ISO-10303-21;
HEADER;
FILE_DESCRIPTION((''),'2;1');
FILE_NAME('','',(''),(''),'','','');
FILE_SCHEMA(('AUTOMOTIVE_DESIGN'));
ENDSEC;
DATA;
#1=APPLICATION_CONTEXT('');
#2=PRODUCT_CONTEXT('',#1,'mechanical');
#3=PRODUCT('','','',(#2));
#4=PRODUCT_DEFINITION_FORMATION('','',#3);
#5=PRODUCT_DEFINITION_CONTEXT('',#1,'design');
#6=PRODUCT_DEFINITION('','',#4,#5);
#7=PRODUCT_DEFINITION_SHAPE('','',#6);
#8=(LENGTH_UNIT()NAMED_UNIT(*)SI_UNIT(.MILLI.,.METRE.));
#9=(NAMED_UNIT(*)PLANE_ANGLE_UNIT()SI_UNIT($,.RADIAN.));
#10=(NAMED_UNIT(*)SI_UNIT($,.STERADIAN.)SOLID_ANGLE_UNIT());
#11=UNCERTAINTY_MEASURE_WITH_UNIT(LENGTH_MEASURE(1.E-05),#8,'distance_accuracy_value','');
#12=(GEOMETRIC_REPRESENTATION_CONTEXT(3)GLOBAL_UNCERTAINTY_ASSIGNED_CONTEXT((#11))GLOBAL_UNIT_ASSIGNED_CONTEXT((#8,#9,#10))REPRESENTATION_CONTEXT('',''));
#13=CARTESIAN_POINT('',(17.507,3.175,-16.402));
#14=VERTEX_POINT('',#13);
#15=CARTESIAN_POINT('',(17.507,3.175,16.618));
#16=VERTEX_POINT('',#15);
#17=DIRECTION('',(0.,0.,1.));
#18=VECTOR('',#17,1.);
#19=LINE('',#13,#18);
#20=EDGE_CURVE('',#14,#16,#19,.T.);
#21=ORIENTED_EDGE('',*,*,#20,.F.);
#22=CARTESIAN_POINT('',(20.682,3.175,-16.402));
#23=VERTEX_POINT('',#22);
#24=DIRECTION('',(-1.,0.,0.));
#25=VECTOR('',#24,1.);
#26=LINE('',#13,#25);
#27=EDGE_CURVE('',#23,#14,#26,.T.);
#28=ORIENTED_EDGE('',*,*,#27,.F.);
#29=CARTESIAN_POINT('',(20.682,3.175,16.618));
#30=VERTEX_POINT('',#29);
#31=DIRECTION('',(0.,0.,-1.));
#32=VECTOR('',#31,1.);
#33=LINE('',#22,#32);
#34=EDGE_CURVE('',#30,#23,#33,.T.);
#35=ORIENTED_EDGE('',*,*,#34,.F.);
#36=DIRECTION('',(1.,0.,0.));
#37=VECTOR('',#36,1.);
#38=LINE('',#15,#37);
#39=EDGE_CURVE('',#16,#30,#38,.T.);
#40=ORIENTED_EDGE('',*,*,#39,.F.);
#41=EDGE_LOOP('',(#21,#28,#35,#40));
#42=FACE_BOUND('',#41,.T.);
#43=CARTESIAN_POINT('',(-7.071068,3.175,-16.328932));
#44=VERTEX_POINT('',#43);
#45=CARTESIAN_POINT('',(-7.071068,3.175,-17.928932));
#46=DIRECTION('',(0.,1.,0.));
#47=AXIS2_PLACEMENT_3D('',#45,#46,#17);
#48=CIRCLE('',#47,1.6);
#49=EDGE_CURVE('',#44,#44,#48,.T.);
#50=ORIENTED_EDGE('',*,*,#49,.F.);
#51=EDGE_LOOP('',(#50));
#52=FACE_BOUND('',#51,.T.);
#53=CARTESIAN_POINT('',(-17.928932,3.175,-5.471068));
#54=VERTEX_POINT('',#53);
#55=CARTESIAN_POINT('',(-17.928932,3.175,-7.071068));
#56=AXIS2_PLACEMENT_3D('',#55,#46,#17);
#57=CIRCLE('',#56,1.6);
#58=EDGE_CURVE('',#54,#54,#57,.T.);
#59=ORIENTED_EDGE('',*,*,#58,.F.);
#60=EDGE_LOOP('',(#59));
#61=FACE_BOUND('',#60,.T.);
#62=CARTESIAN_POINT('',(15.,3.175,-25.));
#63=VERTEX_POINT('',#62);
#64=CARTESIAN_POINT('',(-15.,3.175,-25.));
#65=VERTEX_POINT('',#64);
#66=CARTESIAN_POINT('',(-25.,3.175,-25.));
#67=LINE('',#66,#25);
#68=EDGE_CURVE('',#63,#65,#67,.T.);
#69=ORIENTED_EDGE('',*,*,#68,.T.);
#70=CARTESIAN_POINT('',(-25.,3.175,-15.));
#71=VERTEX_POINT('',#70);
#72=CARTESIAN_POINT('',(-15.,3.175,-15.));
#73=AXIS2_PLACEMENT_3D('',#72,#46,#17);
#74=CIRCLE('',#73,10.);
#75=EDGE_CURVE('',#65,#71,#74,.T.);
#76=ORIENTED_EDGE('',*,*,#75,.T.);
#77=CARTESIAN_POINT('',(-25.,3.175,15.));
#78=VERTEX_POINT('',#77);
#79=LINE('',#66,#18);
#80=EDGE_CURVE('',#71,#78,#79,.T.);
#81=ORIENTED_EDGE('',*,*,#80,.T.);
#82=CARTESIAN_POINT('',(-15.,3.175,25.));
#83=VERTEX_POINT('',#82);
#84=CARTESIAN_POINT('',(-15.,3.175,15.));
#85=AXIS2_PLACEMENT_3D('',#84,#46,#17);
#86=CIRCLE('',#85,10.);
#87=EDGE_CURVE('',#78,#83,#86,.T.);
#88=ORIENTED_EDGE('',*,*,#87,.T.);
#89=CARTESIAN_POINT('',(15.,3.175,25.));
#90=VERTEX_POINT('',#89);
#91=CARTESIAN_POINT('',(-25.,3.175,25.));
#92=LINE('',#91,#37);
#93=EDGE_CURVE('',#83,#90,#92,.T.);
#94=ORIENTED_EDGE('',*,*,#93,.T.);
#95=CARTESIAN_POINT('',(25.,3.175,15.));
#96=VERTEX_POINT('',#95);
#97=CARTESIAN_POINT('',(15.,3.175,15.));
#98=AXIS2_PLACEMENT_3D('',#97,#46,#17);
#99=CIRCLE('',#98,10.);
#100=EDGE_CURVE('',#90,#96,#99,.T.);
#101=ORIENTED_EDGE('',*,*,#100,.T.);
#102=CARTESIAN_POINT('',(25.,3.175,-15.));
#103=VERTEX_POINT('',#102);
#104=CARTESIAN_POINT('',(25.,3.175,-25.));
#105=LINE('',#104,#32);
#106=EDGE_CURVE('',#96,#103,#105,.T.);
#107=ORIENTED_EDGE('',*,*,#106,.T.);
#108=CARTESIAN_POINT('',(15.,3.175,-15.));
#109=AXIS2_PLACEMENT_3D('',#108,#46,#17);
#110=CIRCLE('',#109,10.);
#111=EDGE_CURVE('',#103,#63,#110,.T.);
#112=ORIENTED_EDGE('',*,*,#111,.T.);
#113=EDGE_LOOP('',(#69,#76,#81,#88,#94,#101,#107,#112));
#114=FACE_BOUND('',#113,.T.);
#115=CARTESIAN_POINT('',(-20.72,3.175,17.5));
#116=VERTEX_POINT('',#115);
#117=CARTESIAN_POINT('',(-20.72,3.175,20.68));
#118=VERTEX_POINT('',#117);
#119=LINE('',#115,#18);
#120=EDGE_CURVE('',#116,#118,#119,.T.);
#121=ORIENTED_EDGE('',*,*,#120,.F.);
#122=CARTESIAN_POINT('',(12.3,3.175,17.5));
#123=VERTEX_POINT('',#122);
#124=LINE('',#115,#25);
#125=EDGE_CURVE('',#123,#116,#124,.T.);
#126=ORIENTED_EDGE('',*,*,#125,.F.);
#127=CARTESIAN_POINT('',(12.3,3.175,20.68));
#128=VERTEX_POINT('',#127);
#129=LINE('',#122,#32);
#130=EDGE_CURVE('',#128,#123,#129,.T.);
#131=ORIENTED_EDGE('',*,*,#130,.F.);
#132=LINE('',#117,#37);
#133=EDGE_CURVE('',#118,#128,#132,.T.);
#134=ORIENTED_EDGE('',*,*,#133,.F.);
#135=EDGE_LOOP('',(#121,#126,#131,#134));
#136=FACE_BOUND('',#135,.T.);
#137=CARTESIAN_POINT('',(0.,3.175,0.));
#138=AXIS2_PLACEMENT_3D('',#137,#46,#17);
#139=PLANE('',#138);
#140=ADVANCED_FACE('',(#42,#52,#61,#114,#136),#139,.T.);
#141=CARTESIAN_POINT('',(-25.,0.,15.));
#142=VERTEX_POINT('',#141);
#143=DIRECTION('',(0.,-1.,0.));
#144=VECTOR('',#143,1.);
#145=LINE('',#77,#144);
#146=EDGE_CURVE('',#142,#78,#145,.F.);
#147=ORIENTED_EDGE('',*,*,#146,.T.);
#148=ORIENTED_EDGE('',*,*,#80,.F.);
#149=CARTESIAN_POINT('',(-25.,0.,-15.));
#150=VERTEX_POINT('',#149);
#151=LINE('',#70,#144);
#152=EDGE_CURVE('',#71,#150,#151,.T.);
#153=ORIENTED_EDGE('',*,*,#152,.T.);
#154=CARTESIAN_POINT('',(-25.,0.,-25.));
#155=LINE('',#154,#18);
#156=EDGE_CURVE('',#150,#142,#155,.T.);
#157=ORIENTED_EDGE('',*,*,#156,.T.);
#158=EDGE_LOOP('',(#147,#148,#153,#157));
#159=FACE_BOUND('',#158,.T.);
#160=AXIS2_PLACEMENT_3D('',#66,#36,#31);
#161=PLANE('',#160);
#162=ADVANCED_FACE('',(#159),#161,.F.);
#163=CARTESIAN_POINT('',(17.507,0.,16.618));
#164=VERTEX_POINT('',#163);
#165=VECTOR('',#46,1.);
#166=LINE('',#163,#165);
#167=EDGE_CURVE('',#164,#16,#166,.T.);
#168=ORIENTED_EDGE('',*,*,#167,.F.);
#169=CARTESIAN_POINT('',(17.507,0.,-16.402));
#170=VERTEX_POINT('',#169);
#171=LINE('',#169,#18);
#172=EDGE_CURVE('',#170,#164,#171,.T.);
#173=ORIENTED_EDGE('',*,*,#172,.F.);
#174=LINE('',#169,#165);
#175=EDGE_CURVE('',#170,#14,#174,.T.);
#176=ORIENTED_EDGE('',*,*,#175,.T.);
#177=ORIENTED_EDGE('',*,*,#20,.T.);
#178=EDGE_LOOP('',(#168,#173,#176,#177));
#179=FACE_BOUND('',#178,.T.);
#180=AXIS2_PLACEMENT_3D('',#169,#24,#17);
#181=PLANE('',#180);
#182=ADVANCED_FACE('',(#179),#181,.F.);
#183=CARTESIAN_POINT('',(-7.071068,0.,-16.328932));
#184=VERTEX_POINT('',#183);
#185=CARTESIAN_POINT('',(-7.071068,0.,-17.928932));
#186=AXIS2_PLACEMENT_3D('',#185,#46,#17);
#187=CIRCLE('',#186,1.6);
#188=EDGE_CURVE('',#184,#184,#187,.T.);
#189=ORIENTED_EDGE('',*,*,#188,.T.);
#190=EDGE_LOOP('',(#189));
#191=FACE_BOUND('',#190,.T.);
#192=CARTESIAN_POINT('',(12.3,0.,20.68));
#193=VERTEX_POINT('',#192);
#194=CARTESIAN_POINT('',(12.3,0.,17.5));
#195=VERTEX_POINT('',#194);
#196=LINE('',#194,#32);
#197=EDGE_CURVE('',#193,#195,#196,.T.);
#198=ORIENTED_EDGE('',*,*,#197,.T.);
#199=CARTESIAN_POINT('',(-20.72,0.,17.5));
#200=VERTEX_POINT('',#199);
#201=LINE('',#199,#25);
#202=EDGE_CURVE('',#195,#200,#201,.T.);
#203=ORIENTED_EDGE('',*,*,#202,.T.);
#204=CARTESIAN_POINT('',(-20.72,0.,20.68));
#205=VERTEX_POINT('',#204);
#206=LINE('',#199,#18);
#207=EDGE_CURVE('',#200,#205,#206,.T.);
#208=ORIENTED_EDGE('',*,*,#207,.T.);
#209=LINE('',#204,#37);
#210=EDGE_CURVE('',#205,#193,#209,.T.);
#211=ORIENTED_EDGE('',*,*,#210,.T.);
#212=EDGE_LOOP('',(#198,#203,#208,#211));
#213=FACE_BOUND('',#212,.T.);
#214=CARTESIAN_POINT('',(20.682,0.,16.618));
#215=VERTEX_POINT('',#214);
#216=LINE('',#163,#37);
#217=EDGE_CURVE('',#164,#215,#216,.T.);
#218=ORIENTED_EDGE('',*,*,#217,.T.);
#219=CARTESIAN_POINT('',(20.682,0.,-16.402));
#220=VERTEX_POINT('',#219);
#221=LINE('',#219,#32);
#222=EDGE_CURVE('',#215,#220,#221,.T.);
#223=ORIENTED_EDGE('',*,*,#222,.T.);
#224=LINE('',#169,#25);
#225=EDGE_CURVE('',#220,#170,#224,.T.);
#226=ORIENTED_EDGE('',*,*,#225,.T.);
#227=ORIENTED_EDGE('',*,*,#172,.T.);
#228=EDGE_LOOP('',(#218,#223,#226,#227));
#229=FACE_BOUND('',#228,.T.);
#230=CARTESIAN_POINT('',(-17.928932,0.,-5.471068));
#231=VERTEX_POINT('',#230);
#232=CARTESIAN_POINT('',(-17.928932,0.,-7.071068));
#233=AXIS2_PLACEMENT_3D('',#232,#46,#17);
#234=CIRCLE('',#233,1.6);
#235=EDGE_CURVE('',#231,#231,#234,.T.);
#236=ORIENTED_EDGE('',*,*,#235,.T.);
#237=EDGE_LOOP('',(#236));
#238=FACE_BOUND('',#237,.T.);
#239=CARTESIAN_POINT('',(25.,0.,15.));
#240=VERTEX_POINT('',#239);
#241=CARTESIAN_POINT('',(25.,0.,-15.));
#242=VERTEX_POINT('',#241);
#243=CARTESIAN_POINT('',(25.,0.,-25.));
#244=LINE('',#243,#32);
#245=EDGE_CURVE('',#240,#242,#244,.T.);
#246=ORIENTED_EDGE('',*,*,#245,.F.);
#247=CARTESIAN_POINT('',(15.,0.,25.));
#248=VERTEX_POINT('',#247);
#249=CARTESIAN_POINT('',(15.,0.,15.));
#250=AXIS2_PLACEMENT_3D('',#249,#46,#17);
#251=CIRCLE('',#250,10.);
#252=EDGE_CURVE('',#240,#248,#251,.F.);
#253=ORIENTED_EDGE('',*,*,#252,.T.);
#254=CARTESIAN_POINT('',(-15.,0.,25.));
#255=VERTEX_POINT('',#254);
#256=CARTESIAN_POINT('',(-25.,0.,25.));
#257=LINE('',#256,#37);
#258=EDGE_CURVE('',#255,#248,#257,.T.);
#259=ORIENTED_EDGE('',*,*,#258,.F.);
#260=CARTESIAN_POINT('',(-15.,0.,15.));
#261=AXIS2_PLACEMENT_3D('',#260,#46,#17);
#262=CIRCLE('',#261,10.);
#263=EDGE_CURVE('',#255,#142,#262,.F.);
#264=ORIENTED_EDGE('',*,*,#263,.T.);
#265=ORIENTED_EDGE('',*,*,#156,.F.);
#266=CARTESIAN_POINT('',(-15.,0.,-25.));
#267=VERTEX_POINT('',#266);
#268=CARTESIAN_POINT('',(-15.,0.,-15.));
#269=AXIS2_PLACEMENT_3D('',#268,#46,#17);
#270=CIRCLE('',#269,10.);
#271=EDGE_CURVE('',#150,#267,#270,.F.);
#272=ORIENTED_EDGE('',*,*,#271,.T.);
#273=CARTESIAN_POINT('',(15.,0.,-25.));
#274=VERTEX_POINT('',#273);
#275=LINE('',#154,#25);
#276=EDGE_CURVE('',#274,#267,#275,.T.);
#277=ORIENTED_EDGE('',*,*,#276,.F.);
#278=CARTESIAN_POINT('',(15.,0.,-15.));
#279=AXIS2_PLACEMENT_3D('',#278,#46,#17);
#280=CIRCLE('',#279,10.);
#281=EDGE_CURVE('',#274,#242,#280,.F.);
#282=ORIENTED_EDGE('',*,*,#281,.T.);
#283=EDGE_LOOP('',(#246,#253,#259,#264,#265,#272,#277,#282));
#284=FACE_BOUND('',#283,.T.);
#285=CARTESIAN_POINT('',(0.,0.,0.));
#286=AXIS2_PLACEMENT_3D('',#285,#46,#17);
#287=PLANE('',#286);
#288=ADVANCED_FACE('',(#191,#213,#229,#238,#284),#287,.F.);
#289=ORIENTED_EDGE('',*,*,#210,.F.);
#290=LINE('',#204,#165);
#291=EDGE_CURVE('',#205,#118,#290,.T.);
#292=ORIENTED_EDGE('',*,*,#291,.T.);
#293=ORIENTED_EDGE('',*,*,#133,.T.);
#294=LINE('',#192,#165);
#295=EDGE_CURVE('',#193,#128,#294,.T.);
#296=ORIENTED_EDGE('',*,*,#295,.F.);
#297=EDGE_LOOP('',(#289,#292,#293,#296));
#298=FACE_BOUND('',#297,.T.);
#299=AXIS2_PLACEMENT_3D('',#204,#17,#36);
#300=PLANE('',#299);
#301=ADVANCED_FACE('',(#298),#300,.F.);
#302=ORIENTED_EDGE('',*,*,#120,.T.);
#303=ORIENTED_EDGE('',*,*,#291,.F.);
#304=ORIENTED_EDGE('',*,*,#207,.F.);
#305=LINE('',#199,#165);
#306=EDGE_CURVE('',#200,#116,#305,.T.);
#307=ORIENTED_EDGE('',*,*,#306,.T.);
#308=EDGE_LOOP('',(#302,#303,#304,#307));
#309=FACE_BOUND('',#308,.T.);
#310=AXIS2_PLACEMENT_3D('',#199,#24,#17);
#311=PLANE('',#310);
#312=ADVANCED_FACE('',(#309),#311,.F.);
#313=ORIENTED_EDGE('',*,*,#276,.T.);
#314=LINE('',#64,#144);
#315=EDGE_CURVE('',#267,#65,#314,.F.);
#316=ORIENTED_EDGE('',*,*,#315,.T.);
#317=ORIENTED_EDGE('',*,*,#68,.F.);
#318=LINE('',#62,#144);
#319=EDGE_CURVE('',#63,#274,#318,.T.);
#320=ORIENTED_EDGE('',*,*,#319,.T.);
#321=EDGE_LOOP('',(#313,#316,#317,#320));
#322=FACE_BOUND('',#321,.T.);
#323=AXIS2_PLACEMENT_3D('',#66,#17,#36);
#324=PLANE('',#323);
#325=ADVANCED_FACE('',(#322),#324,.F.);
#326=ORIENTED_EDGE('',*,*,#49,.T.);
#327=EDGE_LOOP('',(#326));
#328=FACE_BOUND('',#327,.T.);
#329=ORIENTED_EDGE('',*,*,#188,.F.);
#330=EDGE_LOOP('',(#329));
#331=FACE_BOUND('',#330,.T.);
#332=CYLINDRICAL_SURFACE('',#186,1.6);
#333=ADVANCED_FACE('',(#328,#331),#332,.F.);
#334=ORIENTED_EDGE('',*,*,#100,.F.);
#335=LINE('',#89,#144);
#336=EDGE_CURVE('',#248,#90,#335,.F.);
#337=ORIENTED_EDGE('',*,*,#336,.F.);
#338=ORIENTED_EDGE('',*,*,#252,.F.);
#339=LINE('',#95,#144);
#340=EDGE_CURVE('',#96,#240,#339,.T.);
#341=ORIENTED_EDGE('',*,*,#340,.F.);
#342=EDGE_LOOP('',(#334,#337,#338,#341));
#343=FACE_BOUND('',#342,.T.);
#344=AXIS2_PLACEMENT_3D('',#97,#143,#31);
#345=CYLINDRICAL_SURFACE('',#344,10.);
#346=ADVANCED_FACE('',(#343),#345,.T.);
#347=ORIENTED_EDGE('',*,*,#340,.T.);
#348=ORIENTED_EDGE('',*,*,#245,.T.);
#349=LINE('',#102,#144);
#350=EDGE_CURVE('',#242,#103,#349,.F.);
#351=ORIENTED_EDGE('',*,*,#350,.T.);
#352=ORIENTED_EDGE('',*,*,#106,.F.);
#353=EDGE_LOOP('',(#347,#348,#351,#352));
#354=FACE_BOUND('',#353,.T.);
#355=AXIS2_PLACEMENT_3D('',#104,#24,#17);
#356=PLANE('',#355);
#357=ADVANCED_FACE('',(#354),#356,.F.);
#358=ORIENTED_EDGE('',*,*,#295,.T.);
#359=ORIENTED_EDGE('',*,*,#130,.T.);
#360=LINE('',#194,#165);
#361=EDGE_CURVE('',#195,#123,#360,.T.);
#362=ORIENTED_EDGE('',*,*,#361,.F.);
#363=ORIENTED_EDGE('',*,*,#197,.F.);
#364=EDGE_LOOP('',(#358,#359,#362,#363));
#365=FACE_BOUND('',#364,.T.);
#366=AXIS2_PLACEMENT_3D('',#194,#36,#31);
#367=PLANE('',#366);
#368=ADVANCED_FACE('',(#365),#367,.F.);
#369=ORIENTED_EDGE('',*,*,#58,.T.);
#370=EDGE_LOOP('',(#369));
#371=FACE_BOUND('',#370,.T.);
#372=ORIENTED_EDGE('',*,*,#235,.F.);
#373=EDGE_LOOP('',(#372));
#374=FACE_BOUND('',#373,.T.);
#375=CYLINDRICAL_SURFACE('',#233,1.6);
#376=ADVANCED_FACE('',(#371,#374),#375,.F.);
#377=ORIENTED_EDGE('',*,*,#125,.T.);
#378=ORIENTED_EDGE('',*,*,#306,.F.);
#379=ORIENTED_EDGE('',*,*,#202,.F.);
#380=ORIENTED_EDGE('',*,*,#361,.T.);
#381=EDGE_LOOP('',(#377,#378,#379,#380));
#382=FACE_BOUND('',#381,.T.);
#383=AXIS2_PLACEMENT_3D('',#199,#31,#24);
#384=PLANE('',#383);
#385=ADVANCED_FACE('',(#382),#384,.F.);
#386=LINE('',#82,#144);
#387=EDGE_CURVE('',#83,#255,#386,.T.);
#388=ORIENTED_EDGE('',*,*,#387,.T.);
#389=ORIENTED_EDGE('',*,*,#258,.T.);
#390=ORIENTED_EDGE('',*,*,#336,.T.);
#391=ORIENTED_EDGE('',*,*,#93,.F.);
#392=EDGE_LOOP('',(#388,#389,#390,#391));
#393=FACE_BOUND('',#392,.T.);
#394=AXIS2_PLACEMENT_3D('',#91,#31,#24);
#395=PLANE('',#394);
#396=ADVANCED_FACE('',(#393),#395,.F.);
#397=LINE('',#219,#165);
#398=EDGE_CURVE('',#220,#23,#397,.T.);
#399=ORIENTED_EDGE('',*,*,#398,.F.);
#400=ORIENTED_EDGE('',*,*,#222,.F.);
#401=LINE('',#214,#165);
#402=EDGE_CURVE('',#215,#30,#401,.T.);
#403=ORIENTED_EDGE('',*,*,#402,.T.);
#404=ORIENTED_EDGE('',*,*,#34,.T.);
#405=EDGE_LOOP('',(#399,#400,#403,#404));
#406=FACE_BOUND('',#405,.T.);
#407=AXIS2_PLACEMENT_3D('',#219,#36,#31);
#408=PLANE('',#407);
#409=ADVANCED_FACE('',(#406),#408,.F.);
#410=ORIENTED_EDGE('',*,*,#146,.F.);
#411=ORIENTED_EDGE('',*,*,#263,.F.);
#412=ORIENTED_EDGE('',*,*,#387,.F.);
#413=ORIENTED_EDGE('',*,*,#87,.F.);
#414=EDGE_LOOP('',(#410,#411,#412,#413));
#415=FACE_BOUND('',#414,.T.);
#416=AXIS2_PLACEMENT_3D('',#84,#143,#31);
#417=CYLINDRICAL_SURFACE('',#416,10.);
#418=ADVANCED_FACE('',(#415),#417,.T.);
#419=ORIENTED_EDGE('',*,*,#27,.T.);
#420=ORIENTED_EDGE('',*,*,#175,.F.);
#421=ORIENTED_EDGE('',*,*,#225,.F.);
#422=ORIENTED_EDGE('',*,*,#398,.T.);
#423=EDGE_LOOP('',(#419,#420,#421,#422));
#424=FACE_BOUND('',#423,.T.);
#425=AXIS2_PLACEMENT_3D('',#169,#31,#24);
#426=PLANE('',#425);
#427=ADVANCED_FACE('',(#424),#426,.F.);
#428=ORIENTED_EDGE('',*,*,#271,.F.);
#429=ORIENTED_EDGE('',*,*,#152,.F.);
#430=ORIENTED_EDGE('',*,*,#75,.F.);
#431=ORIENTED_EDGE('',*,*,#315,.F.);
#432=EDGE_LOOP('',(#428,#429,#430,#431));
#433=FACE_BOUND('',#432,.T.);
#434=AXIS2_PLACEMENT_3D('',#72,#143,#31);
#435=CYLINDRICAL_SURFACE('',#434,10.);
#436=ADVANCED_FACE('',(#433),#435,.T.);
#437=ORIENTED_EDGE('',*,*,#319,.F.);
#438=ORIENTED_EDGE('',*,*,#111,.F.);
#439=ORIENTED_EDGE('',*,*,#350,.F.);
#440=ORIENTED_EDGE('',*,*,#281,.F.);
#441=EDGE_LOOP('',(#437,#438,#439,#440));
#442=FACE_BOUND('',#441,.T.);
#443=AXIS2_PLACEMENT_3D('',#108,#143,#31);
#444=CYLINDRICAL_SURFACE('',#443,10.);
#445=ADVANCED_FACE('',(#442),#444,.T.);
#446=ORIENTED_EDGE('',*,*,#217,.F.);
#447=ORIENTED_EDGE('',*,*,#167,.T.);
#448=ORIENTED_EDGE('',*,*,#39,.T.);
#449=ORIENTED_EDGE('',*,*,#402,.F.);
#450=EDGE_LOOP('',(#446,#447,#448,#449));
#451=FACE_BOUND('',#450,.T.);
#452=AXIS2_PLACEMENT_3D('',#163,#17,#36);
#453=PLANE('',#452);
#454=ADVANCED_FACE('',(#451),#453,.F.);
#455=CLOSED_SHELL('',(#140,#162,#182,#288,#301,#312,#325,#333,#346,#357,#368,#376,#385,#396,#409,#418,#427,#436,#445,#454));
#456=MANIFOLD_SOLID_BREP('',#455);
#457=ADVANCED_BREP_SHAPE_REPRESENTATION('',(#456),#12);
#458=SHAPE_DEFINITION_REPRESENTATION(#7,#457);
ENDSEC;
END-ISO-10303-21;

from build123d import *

# Parameters (mm, degrees)
SKETCH1_W           = 50
SKETCH1_H           = 50
BOSS_EXTRUDE1_DEPTH = 3.175
SKETCH2_W           = 3.175
SKETCH2_H           = 33.02
SKETCH2_W_2         = 33.02
SKETCH2_H_2         = 3.18
CUT_EXTRUDE1_DEPTH  = 36.497614356
SKETCH3_R           = 1.6
CUT_EXTRUDE2_DEPTH  = 36.497614356
FILLET1_R           = 10


with BuildPart() as part:
    # Sketch1 → Boss-Extrude1 (new body)
    with BuildSketch(Plane(origin=(0, 0, 0), x_dir=(1, 0, 0), z_dir=(0, 1, 0))):
        Rectangle(SKETCH1_W, SKETCH1_H)
    extrude(amount=BOSS_EXTRUDE1_DEPTH)

    # Sketch2 → Cut-Extrude1 (cut, through all)
    with BuildSketch(Plane(origin=(0, 3.175, 0), x_dir=(1, 0, 0), z_dir=(0, 1, 0))):
        with Locations((19.0945, -0.108)):
            Rectangle(SKETCH2_W, SKETCH2_H)
        with Locations((-4.21, -19.09)):
            Rectangle(SKETCH2_W_2, SKETCH2_H_2)
    extrude(amount=-CUT_EXTRUDE1_DEPTH, mode=Mode.SUBTRACT)

    # Sketch3 → Cut-Extrude2 (cut, through all)
    with BuildSketch(Plane(origin=(0, 3.175, 0), x_dir=(1, 0, 0), z_dir=(0, 1, 0))):
        with Locations(Location((-7.071067812, 17.928932188, 0), (0, 0, 270))):
            Circle(SKETCH3_R)
        with Locations(Location((-17.928932188, 7.071067812, 0), (0, 0, 270))):
            Circle(SKETCH3_R)
    extrude(amount=-CUT_EXTRUDE2_DEPTH, mode=Mode.SUBTRACT)

    # Fillet1
    fillet1_edges = [part.edges().sort_by_distance(p)[0] for p in [
        (25, 1.5875, 25),
        (-25, 1.5875, 25),
        (-25, 1.5875, -25),
        (25, 1.5875, -25),
    ]]
    fillet(fillet1_edges, radius=FILLET1_R)


solid = part.part
